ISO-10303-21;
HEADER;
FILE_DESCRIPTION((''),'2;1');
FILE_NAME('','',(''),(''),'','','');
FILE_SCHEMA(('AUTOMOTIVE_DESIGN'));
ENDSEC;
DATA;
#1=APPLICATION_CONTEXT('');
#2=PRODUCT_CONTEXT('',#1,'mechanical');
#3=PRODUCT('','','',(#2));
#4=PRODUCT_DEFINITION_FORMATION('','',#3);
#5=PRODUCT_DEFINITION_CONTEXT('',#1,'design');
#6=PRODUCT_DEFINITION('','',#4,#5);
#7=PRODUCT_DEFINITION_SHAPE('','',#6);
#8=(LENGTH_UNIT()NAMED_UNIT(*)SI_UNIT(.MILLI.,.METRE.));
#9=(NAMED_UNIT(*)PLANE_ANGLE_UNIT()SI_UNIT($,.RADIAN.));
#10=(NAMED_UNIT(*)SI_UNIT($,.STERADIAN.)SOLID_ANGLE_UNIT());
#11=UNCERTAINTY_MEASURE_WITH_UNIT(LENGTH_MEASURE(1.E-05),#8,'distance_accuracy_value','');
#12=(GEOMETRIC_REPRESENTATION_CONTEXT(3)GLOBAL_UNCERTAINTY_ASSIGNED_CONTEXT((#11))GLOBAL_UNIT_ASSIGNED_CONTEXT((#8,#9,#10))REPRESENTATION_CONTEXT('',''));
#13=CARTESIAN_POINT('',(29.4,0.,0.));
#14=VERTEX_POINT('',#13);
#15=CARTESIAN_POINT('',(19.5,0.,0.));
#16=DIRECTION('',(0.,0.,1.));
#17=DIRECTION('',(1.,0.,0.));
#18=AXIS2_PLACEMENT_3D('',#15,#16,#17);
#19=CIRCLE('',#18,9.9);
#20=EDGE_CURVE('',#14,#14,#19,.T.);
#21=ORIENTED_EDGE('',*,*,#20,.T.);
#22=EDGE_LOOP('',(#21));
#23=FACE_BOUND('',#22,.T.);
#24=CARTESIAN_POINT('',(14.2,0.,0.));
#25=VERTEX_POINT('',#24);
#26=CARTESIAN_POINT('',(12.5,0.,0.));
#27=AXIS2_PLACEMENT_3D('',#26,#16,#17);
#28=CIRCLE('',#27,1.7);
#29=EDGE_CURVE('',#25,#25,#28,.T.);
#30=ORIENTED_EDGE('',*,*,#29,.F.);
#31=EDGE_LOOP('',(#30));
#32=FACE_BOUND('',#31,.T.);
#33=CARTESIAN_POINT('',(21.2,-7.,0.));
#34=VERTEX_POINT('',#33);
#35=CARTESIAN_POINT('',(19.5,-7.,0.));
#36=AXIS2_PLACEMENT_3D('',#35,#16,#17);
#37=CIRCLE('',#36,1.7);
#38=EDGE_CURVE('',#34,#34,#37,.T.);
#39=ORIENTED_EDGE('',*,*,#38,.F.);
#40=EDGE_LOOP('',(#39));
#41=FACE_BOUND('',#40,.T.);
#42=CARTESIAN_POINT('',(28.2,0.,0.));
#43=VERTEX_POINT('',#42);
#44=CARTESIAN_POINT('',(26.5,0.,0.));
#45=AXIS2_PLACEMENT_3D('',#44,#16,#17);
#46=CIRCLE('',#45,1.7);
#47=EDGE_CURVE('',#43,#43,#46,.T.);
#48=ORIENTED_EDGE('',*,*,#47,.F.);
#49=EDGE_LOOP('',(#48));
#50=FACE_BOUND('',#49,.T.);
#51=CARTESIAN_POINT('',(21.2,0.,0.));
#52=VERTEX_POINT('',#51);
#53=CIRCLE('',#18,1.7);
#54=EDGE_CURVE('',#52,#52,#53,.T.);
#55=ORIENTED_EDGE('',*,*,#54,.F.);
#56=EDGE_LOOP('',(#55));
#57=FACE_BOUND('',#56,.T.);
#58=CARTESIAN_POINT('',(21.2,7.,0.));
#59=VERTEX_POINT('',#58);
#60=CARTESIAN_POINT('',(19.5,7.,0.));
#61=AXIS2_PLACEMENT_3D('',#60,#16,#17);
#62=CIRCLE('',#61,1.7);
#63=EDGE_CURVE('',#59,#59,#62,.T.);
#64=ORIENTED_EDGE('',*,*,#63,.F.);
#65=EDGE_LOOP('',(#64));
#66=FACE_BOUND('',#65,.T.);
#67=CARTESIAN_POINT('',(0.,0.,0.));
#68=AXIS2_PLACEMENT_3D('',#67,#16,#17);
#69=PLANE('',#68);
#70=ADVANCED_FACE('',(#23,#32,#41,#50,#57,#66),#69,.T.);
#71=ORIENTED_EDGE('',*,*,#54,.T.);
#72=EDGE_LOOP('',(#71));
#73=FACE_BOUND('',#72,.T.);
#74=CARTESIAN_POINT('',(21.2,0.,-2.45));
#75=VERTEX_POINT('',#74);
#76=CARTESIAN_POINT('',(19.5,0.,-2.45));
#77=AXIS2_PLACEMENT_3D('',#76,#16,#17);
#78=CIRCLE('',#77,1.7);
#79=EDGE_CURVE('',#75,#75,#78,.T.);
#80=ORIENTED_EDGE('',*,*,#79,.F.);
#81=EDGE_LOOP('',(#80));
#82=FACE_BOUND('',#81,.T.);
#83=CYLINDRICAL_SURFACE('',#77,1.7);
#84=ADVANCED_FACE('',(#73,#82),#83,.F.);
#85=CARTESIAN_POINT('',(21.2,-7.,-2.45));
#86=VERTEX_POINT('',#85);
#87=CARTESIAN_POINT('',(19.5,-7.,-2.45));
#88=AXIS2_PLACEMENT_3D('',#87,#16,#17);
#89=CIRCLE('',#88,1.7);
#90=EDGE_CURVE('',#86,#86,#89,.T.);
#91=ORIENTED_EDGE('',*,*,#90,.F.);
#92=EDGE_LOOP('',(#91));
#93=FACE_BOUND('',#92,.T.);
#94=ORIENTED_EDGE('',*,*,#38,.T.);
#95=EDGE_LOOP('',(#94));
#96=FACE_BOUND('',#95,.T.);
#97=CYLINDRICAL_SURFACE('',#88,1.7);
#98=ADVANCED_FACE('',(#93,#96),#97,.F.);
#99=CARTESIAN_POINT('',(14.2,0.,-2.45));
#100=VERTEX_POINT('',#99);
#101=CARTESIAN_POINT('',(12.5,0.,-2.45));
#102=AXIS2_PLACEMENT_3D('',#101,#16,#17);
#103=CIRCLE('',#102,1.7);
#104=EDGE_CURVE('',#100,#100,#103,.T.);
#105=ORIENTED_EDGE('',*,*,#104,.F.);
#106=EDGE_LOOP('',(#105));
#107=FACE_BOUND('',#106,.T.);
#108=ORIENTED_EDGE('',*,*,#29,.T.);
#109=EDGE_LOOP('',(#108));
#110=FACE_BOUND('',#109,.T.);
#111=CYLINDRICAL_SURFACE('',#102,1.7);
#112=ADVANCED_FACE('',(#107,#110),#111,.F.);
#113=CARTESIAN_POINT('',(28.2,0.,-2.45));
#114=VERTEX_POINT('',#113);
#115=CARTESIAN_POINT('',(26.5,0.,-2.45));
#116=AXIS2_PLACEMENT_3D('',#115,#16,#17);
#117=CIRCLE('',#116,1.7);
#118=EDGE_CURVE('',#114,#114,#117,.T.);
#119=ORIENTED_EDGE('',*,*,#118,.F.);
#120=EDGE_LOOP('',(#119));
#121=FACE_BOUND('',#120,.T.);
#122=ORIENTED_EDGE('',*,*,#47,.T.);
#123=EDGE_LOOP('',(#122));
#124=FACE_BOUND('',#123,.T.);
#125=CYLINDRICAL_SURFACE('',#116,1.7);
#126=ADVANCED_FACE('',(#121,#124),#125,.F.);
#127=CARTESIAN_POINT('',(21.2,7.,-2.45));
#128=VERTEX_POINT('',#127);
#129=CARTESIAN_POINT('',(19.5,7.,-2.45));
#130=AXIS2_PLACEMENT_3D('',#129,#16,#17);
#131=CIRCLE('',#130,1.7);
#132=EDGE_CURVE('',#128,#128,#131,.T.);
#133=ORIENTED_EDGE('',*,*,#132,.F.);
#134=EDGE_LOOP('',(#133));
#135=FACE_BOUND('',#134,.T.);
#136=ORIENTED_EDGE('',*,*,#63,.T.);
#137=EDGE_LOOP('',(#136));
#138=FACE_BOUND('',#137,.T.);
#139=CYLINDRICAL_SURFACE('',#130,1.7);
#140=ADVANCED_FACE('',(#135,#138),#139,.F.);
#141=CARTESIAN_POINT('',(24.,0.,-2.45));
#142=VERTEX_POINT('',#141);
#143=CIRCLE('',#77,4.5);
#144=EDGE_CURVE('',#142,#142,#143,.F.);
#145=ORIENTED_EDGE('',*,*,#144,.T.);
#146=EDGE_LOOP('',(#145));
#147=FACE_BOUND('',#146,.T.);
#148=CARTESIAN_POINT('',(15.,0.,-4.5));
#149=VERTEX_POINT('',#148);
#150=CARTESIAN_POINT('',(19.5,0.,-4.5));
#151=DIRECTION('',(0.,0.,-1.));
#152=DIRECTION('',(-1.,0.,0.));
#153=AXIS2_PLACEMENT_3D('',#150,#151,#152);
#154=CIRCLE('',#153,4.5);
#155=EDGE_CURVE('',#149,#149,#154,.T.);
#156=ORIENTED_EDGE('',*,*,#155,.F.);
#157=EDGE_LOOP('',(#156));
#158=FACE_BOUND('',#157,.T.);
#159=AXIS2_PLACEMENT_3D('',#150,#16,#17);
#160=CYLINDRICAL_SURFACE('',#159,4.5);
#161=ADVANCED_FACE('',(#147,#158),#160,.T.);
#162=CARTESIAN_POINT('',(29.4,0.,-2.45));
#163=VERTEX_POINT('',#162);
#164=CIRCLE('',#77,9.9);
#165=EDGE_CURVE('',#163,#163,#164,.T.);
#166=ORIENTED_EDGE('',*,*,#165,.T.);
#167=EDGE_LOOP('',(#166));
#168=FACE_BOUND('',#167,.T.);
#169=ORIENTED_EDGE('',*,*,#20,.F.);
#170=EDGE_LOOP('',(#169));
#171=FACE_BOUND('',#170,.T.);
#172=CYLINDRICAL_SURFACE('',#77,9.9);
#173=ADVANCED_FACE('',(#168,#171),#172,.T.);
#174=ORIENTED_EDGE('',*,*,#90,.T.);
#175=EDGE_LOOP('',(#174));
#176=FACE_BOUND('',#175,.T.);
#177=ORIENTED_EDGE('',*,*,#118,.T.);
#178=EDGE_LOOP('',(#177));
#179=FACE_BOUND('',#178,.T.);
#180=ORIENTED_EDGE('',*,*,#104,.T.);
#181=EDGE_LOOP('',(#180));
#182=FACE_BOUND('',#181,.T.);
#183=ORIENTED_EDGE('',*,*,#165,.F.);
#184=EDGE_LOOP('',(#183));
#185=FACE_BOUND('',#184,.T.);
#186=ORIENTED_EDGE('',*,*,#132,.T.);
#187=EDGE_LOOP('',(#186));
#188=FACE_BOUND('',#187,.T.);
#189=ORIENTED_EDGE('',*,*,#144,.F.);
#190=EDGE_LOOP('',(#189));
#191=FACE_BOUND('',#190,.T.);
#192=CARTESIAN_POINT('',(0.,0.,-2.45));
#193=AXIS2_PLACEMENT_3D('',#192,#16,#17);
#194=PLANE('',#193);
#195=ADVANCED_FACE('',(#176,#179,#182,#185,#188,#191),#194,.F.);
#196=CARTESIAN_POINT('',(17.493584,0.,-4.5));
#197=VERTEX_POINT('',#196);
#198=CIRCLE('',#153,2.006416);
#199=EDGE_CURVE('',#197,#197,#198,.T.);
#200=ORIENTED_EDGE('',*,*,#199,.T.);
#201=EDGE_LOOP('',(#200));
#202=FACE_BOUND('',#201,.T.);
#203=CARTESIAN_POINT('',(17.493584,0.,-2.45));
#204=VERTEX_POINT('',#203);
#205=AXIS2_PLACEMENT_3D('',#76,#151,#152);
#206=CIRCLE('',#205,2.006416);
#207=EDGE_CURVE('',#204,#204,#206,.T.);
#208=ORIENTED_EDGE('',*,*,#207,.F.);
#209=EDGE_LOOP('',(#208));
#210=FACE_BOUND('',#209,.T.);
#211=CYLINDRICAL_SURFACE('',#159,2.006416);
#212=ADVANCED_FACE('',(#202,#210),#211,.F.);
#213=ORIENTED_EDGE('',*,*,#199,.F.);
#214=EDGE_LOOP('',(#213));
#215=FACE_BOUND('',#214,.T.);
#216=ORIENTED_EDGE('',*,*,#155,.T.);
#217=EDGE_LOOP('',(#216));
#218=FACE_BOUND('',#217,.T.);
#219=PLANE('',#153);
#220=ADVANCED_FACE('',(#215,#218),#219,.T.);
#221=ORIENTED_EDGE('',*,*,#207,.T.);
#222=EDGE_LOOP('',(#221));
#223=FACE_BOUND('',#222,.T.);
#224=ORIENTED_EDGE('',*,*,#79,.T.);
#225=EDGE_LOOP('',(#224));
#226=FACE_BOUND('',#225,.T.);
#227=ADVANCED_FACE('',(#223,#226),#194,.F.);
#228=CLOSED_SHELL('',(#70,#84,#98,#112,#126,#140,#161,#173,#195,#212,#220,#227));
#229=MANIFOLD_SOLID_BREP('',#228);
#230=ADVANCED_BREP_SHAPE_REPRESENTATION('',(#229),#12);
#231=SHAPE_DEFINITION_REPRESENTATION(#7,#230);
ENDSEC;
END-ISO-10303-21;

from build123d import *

# Parameters (mm, degrees)
SKETCH1_R           = 9.9
SKETCH1_R_2         = 1.7
BOSS_EXTRUDE2_DEPTH = 2.45
SKETCH2_R           = 4.5
SKETCH2_R_2         = 2.006415725
BOSS_EXTRUDE3_DEPTH = 2.05


with BuildPart() as part:
    # Sketch1 → Boss-Extrude2 (new body)
    with BuildSketch(Plane.XY):
        with Locations((19.5, 0)):
            Circle(SKETCH1_R)
        with Locations((19.5, 0)):
            Circle(SKETCH1_R_2, mode=Mode.SUBTRACT)
        with Locations((12.5, 0)):
            Circle(SKETCH1_R_2, mode=Mode.SUBTRACT)
        with Locations((19.5, 7)):
            Circle(SKETCH1_R_2, mode=Mode.SUBTRACT)
        with Locations((26.5, 0)):
            Circle(SKETCH1_R_2, mode=Mode.SUBTRACT)
        with Locations((19.5, -7)):
            Circle(SKETCH1_R_2, mode=Mode.SUBTRACT)
    extrude(amount=-BOSS_EXTRUDE2_DEPTH)

    # Sketch2 → Boss-Extrude3 (add)
    with BuildSketch(Plane(origin=(0, 0, -2.45), x_dir=(-1, 0, 0), z_dir=(0, 0, -1))):
        with Locations(Location((-19.5, 0, 0), (0, 0, 180))):
            Circle(SKETCH2_R)
        with Locations((-19.5, 0)):
            Circle(SKETCH2_R_2, mode=Mode.SUBTRACT)
    extrude(amount=BOSS_EXTRUDE3_DEPTH)


solid = part.part
